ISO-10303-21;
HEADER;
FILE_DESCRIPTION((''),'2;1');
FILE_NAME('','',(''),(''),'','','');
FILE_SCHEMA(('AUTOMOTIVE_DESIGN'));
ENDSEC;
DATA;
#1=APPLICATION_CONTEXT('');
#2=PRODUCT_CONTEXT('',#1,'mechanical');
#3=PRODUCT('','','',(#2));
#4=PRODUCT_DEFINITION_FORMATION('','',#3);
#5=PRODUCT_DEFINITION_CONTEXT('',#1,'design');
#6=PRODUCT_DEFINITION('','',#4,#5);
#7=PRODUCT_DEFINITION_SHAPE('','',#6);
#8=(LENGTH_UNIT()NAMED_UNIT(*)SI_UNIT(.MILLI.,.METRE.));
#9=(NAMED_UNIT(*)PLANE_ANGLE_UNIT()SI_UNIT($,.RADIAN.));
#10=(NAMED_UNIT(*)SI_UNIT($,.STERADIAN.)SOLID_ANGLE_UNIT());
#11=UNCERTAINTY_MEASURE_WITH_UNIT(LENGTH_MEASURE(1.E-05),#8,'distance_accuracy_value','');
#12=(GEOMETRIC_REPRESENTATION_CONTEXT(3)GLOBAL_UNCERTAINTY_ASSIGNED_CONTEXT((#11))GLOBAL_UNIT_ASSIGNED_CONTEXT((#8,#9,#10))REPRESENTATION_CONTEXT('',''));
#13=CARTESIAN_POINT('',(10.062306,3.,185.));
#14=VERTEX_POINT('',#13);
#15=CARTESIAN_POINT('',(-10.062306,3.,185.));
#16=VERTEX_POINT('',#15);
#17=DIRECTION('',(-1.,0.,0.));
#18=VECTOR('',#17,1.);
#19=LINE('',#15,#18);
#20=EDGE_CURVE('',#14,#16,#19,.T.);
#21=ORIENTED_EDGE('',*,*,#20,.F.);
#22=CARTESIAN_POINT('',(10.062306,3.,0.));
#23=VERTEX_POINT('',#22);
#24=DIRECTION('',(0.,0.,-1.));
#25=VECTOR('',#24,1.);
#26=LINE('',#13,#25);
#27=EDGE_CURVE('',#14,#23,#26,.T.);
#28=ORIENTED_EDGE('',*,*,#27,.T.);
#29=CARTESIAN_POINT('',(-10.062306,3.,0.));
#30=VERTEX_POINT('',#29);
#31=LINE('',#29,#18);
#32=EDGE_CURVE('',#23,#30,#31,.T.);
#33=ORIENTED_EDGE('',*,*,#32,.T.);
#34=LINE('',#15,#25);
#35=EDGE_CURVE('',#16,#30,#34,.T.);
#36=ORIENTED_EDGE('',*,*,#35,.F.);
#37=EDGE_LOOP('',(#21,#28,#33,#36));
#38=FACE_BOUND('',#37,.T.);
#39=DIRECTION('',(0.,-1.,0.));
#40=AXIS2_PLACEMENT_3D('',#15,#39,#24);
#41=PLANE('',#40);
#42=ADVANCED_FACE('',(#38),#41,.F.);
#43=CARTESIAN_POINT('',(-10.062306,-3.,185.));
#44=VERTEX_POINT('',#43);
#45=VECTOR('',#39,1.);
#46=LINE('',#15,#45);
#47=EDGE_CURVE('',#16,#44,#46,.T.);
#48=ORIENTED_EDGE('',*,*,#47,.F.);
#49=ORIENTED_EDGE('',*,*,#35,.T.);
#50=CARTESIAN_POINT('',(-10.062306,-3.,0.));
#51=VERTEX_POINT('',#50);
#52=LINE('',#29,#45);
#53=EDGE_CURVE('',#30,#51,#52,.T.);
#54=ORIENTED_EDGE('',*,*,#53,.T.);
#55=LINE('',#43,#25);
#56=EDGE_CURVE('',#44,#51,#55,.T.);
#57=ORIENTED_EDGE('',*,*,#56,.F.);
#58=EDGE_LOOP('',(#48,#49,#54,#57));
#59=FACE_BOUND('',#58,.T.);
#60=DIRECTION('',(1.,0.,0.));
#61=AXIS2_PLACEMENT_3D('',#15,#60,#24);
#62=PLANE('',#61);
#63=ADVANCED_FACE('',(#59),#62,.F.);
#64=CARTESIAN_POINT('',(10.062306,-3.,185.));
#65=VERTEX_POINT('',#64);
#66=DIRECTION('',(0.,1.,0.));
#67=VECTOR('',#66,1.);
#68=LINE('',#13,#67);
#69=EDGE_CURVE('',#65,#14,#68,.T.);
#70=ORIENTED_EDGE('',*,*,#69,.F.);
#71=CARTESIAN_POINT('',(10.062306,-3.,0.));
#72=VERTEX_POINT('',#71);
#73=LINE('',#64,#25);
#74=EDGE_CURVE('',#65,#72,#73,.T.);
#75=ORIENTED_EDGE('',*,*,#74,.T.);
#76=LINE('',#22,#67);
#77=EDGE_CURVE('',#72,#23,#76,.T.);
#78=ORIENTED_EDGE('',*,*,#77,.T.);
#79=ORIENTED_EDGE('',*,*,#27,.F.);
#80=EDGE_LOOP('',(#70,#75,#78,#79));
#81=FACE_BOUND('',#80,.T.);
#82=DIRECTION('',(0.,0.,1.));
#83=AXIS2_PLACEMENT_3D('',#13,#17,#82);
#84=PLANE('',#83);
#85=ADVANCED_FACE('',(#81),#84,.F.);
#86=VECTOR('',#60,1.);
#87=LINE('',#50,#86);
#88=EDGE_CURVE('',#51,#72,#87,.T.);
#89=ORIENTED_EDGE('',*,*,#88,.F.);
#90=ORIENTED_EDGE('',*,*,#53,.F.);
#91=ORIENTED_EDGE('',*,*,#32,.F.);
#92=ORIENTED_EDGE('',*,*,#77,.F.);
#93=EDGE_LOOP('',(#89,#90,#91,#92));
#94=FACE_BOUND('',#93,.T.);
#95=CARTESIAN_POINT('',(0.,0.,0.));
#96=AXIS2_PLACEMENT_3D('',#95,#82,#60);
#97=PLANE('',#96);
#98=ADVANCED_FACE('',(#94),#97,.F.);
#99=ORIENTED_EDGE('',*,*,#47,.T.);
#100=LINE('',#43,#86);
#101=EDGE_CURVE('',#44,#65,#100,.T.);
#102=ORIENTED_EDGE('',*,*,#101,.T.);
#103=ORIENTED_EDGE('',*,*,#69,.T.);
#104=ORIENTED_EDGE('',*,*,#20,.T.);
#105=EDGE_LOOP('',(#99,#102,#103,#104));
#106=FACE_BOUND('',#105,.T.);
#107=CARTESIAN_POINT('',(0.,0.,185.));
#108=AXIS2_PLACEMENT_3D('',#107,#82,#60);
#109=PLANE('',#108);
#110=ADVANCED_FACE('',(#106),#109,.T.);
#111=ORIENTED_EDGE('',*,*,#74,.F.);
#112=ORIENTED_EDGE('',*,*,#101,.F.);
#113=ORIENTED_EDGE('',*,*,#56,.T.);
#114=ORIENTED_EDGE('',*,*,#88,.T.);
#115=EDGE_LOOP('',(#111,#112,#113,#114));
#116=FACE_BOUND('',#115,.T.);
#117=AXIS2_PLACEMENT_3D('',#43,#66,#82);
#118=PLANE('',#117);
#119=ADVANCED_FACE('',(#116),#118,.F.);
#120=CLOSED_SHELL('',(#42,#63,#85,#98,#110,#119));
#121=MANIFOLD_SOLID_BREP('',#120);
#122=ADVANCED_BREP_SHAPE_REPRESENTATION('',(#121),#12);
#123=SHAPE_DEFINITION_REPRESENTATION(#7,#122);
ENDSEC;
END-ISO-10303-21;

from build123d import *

# Parameters (mm, degrees)
ESQUISSE1_W        = 20.124611798
ESQUISSE1_H        = 6
BOSS_EXTRU_1_DEPTH = 185


with BuildPart() as part:
    # Esquisse1 → Boss.-Extru.1 (new body)
    with BuildSketch(Plane.XY):
        Rectangle(ESQUISSE1_W, ESQUISSE1_H)
    extrude(amount=BOSS_EXTRU_1_DEPTH)


solid = part.part
